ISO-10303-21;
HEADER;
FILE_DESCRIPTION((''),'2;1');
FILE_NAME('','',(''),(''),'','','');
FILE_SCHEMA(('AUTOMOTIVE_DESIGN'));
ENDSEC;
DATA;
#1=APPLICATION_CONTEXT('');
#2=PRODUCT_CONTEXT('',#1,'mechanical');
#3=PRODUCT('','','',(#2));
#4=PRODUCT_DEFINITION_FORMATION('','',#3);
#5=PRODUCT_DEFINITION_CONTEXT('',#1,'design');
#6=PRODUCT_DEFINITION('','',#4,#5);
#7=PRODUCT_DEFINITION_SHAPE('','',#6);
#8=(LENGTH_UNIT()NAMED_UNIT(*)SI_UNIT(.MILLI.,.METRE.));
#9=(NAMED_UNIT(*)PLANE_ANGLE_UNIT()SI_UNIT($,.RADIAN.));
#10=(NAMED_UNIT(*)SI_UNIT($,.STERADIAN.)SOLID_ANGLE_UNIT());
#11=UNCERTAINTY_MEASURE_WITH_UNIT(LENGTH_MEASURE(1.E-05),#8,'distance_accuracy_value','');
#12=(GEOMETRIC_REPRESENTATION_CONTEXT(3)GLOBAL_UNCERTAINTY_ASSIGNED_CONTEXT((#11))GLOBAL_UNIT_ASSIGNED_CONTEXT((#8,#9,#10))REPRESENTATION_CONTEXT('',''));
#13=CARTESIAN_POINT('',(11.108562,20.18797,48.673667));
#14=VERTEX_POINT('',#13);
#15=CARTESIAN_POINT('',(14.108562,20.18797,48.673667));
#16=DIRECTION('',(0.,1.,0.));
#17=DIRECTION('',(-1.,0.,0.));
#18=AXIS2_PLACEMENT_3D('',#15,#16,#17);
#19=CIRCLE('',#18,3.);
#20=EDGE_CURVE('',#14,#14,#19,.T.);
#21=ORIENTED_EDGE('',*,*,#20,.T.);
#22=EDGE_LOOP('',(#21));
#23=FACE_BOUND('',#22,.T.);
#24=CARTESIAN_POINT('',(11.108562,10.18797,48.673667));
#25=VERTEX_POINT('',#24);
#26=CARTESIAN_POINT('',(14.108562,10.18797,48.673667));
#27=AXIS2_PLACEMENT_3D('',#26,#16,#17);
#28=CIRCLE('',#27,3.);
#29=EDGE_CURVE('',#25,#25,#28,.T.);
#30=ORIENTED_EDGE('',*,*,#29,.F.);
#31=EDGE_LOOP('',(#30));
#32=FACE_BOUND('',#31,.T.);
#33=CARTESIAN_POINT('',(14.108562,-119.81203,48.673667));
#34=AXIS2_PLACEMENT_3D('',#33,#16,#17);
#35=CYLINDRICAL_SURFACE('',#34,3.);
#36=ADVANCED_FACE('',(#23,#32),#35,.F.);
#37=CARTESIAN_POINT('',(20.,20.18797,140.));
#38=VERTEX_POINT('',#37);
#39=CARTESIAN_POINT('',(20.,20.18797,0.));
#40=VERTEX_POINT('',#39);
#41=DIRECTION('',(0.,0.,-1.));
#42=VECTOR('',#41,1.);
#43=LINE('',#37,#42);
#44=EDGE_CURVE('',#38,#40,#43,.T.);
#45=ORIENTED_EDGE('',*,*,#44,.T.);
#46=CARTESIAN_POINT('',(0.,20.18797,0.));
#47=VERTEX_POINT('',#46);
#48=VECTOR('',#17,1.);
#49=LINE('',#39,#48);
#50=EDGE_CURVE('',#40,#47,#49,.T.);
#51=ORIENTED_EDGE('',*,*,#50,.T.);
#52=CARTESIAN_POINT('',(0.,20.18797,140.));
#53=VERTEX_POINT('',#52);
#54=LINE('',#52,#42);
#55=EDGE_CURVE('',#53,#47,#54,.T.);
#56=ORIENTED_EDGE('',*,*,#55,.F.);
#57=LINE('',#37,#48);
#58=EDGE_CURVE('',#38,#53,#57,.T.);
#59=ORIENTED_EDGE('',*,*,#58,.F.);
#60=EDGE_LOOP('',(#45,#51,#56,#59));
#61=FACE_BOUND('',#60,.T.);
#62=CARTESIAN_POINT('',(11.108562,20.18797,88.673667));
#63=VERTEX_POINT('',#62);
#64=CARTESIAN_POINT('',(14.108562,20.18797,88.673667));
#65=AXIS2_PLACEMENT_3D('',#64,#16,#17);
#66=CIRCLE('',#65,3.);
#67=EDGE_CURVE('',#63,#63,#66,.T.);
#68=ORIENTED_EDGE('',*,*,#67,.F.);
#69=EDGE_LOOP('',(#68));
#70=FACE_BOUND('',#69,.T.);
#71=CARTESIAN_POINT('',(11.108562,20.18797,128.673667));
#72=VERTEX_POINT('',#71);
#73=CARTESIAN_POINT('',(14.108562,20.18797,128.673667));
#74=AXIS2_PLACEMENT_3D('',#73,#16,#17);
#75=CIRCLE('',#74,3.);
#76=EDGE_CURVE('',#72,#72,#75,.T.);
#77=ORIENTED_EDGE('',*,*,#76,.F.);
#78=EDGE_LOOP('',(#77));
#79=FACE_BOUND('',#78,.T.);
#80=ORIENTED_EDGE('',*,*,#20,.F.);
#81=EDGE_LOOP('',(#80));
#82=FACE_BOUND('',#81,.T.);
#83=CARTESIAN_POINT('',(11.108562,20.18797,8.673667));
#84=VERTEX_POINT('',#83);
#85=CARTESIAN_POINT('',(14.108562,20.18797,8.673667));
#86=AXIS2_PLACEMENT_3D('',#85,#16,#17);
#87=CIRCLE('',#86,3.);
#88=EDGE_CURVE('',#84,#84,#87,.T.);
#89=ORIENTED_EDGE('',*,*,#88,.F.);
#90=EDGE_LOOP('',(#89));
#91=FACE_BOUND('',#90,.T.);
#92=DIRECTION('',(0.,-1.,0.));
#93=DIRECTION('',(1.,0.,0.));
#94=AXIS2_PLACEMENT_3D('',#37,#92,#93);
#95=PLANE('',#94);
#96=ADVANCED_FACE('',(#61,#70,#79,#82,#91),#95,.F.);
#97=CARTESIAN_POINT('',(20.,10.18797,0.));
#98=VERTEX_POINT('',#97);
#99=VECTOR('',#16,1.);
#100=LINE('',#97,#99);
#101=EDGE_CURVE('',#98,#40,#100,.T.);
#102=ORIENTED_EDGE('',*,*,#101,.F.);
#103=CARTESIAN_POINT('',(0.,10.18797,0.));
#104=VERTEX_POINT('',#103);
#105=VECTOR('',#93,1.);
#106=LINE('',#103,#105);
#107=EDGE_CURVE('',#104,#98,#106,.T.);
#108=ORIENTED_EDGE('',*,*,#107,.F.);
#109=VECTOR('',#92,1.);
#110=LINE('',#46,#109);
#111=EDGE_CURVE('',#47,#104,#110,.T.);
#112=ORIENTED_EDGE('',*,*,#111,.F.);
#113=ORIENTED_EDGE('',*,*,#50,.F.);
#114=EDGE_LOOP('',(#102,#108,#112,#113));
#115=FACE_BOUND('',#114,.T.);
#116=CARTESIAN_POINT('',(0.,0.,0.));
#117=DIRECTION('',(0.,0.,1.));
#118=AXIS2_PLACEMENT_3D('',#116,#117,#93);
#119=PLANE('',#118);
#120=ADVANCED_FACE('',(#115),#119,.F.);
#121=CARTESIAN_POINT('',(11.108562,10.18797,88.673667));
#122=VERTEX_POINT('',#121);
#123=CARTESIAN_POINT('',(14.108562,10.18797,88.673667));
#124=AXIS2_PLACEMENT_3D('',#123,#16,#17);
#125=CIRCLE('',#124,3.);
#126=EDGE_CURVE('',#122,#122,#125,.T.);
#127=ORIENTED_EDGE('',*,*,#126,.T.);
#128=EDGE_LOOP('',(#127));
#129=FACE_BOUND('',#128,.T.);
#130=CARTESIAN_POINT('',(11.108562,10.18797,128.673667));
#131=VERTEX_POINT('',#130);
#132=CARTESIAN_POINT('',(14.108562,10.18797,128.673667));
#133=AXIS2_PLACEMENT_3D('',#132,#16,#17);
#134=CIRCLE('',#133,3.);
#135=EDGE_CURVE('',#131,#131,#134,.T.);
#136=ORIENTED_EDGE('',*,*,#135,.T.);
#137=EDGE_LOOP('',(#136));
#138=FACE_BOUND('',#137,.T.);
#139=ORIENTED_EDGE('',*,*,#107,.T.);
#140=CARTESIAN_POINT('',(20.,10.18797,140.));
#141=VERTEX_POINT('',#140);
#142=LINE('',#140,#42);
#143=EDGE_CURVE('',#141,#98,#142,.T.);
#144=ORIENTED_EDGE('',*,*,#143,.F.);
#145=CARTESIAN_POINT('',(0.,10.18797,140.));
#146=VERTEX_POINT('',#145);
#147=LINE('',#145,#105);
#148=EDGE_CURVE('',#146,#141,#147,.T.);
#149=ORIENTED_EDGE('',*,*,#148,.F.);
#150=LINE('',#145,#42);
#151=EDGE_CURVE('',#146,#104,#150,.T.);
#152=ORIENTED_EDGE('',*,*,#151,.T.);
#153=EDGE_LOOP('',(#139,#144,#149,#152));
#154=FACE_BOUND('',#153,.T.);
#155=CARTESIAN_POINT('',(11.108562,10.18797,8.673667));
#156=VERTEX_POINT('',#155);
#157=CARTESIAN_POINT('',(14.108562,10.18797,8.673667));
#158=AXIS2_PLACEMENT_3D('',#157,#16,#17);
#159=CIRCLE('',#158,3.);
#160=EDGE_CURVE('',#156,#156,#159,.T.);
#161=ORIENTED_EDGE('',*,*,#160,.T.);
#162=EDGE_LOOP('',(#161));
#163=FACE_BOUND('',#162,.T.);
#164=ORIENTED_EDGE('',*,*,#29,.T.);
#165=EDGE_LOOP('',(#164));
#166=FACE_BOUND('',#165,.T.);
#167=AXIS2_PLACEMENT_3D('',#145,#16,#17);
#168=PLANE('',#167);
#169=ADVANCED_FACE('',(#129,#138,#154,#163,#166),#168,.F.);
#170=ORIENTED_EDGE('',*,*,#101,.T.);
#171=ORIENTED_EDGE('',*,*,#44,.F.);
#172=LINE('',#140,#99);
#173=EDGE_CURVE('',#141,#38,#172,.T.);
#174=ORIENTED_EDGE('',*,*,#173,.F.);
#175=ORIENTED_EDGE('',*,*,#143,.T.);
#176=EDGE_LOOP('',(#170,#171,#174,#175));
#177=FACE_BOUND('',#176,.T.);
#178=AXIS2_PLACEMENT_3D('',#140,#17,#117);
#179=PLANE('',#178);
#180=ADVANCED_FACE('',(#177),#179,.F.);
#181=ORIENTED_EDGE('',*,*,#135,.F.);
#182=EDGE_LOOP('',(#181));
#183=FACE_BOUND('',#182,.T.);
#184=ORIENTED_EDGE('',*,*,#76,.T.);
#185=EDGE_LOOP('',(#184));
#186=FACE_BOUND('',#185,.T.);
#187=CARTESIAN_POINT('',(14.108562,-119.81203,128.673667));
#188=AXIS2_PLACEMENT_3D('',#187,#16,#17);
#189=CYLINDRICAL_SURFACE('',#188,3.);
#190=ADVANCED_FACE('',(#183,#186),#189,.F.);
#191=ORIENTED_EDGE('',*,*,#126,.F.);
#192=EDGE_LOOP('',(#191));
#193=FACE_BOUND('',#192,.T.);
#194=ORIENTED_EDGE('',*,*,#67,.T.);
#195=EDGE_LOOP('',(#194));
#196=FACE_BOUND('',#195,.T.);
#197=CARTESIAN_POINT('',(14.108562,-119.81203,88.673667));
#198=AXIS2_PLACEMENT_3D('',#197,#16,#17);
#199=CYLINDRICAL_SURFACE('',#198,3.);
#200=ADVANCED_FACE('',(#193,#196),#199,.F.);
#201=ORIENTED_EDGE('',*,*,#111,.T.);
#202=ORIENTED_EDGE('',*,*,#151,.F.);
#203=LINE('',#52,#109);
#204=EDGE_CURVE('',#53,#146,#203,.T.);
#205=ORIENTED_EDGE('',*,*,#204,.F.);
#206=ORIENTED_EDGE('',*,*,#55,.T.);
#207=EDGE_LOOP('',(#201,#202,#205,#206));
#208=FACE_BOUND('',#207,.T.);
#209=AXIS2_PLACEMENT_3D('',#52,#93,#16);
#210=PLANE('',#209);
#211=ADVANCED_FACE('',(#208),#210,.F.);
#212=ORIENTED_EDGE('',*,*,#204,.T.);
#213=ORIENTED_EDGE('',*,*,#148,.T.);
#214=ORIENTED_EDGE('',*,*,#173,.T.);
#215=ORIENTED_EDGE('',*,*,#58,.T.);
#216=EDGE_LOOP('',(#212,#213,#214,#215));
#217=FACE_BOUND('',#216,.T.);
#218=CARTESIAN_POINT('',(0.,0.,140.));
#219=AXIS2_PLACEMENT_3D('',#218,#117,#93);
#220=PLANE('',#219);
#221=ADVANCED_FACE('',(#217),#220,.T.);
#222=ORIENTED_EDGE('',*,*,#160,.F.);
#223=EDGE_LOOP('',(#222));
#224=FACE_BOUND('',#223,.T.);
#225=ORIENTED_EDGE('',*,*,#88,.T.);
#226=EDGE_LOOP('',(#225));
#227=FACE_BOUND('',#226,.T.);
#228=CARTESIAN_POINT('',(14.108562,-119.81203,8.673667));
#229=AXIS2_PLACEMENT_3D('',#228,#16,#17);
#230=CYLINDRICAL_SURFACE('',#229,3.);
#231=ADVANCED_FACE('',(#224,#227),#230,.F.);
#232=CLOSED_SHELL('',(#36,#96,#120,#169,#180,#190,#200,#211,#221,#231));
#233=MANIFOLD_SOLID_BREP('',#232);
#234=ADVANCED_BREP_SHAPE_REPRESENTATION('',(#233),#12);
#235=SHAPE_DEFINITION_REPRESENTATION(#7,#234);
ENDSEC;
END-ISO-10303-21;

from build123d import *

# Parameters (mm, degrees)
SKETCH1_W           = 20
SKETCH1_H           = 10
BOSS_EXTRUDE1_DEPTH = 140
SKETCH2_R           = 3
CUT_EXTRUDE1_DEPTH  = 140
LPATTERN1_COUNT     = 4
LPATTERN1_PITCH     = 40


with BuildPart() as part:
    # Sketch1 → Boss-Extrude1 (new body)
    with BuildSketch(Plane.XY):
        with Locations((10, 15.187969925)):
            Rectangle(SKETCH1_W, SKETCH1_H)
    extrude(amount=BOSS_EXTRUDE1_DEPTH)

    # Sketch2 → Cut-Extrude1 (cut)
    with BuildSketch(Plane(origin=(0, 20.187969925, 0), x_dir=(1, 0, 0), z_dir=(0, 1, 0))):
        with Locations((14.108562183, -8.673667423)):
            Circle(SKETCH2_R)
    cut_extrude1 = extrude(amount=-CUT_EXTRUDE1_DEPTH, mode=Mode.SUBTRACT)

    # LPattern1: Cut-Extrude1 ×4
    with Locations(*[(0, 0, i * LPATTERN1_PITCH) for i in range(1, LPATTERN1_COUNT)]):
        add(cut_extrude1, mode=Mode.SUBTRACT)


solid = part.part
